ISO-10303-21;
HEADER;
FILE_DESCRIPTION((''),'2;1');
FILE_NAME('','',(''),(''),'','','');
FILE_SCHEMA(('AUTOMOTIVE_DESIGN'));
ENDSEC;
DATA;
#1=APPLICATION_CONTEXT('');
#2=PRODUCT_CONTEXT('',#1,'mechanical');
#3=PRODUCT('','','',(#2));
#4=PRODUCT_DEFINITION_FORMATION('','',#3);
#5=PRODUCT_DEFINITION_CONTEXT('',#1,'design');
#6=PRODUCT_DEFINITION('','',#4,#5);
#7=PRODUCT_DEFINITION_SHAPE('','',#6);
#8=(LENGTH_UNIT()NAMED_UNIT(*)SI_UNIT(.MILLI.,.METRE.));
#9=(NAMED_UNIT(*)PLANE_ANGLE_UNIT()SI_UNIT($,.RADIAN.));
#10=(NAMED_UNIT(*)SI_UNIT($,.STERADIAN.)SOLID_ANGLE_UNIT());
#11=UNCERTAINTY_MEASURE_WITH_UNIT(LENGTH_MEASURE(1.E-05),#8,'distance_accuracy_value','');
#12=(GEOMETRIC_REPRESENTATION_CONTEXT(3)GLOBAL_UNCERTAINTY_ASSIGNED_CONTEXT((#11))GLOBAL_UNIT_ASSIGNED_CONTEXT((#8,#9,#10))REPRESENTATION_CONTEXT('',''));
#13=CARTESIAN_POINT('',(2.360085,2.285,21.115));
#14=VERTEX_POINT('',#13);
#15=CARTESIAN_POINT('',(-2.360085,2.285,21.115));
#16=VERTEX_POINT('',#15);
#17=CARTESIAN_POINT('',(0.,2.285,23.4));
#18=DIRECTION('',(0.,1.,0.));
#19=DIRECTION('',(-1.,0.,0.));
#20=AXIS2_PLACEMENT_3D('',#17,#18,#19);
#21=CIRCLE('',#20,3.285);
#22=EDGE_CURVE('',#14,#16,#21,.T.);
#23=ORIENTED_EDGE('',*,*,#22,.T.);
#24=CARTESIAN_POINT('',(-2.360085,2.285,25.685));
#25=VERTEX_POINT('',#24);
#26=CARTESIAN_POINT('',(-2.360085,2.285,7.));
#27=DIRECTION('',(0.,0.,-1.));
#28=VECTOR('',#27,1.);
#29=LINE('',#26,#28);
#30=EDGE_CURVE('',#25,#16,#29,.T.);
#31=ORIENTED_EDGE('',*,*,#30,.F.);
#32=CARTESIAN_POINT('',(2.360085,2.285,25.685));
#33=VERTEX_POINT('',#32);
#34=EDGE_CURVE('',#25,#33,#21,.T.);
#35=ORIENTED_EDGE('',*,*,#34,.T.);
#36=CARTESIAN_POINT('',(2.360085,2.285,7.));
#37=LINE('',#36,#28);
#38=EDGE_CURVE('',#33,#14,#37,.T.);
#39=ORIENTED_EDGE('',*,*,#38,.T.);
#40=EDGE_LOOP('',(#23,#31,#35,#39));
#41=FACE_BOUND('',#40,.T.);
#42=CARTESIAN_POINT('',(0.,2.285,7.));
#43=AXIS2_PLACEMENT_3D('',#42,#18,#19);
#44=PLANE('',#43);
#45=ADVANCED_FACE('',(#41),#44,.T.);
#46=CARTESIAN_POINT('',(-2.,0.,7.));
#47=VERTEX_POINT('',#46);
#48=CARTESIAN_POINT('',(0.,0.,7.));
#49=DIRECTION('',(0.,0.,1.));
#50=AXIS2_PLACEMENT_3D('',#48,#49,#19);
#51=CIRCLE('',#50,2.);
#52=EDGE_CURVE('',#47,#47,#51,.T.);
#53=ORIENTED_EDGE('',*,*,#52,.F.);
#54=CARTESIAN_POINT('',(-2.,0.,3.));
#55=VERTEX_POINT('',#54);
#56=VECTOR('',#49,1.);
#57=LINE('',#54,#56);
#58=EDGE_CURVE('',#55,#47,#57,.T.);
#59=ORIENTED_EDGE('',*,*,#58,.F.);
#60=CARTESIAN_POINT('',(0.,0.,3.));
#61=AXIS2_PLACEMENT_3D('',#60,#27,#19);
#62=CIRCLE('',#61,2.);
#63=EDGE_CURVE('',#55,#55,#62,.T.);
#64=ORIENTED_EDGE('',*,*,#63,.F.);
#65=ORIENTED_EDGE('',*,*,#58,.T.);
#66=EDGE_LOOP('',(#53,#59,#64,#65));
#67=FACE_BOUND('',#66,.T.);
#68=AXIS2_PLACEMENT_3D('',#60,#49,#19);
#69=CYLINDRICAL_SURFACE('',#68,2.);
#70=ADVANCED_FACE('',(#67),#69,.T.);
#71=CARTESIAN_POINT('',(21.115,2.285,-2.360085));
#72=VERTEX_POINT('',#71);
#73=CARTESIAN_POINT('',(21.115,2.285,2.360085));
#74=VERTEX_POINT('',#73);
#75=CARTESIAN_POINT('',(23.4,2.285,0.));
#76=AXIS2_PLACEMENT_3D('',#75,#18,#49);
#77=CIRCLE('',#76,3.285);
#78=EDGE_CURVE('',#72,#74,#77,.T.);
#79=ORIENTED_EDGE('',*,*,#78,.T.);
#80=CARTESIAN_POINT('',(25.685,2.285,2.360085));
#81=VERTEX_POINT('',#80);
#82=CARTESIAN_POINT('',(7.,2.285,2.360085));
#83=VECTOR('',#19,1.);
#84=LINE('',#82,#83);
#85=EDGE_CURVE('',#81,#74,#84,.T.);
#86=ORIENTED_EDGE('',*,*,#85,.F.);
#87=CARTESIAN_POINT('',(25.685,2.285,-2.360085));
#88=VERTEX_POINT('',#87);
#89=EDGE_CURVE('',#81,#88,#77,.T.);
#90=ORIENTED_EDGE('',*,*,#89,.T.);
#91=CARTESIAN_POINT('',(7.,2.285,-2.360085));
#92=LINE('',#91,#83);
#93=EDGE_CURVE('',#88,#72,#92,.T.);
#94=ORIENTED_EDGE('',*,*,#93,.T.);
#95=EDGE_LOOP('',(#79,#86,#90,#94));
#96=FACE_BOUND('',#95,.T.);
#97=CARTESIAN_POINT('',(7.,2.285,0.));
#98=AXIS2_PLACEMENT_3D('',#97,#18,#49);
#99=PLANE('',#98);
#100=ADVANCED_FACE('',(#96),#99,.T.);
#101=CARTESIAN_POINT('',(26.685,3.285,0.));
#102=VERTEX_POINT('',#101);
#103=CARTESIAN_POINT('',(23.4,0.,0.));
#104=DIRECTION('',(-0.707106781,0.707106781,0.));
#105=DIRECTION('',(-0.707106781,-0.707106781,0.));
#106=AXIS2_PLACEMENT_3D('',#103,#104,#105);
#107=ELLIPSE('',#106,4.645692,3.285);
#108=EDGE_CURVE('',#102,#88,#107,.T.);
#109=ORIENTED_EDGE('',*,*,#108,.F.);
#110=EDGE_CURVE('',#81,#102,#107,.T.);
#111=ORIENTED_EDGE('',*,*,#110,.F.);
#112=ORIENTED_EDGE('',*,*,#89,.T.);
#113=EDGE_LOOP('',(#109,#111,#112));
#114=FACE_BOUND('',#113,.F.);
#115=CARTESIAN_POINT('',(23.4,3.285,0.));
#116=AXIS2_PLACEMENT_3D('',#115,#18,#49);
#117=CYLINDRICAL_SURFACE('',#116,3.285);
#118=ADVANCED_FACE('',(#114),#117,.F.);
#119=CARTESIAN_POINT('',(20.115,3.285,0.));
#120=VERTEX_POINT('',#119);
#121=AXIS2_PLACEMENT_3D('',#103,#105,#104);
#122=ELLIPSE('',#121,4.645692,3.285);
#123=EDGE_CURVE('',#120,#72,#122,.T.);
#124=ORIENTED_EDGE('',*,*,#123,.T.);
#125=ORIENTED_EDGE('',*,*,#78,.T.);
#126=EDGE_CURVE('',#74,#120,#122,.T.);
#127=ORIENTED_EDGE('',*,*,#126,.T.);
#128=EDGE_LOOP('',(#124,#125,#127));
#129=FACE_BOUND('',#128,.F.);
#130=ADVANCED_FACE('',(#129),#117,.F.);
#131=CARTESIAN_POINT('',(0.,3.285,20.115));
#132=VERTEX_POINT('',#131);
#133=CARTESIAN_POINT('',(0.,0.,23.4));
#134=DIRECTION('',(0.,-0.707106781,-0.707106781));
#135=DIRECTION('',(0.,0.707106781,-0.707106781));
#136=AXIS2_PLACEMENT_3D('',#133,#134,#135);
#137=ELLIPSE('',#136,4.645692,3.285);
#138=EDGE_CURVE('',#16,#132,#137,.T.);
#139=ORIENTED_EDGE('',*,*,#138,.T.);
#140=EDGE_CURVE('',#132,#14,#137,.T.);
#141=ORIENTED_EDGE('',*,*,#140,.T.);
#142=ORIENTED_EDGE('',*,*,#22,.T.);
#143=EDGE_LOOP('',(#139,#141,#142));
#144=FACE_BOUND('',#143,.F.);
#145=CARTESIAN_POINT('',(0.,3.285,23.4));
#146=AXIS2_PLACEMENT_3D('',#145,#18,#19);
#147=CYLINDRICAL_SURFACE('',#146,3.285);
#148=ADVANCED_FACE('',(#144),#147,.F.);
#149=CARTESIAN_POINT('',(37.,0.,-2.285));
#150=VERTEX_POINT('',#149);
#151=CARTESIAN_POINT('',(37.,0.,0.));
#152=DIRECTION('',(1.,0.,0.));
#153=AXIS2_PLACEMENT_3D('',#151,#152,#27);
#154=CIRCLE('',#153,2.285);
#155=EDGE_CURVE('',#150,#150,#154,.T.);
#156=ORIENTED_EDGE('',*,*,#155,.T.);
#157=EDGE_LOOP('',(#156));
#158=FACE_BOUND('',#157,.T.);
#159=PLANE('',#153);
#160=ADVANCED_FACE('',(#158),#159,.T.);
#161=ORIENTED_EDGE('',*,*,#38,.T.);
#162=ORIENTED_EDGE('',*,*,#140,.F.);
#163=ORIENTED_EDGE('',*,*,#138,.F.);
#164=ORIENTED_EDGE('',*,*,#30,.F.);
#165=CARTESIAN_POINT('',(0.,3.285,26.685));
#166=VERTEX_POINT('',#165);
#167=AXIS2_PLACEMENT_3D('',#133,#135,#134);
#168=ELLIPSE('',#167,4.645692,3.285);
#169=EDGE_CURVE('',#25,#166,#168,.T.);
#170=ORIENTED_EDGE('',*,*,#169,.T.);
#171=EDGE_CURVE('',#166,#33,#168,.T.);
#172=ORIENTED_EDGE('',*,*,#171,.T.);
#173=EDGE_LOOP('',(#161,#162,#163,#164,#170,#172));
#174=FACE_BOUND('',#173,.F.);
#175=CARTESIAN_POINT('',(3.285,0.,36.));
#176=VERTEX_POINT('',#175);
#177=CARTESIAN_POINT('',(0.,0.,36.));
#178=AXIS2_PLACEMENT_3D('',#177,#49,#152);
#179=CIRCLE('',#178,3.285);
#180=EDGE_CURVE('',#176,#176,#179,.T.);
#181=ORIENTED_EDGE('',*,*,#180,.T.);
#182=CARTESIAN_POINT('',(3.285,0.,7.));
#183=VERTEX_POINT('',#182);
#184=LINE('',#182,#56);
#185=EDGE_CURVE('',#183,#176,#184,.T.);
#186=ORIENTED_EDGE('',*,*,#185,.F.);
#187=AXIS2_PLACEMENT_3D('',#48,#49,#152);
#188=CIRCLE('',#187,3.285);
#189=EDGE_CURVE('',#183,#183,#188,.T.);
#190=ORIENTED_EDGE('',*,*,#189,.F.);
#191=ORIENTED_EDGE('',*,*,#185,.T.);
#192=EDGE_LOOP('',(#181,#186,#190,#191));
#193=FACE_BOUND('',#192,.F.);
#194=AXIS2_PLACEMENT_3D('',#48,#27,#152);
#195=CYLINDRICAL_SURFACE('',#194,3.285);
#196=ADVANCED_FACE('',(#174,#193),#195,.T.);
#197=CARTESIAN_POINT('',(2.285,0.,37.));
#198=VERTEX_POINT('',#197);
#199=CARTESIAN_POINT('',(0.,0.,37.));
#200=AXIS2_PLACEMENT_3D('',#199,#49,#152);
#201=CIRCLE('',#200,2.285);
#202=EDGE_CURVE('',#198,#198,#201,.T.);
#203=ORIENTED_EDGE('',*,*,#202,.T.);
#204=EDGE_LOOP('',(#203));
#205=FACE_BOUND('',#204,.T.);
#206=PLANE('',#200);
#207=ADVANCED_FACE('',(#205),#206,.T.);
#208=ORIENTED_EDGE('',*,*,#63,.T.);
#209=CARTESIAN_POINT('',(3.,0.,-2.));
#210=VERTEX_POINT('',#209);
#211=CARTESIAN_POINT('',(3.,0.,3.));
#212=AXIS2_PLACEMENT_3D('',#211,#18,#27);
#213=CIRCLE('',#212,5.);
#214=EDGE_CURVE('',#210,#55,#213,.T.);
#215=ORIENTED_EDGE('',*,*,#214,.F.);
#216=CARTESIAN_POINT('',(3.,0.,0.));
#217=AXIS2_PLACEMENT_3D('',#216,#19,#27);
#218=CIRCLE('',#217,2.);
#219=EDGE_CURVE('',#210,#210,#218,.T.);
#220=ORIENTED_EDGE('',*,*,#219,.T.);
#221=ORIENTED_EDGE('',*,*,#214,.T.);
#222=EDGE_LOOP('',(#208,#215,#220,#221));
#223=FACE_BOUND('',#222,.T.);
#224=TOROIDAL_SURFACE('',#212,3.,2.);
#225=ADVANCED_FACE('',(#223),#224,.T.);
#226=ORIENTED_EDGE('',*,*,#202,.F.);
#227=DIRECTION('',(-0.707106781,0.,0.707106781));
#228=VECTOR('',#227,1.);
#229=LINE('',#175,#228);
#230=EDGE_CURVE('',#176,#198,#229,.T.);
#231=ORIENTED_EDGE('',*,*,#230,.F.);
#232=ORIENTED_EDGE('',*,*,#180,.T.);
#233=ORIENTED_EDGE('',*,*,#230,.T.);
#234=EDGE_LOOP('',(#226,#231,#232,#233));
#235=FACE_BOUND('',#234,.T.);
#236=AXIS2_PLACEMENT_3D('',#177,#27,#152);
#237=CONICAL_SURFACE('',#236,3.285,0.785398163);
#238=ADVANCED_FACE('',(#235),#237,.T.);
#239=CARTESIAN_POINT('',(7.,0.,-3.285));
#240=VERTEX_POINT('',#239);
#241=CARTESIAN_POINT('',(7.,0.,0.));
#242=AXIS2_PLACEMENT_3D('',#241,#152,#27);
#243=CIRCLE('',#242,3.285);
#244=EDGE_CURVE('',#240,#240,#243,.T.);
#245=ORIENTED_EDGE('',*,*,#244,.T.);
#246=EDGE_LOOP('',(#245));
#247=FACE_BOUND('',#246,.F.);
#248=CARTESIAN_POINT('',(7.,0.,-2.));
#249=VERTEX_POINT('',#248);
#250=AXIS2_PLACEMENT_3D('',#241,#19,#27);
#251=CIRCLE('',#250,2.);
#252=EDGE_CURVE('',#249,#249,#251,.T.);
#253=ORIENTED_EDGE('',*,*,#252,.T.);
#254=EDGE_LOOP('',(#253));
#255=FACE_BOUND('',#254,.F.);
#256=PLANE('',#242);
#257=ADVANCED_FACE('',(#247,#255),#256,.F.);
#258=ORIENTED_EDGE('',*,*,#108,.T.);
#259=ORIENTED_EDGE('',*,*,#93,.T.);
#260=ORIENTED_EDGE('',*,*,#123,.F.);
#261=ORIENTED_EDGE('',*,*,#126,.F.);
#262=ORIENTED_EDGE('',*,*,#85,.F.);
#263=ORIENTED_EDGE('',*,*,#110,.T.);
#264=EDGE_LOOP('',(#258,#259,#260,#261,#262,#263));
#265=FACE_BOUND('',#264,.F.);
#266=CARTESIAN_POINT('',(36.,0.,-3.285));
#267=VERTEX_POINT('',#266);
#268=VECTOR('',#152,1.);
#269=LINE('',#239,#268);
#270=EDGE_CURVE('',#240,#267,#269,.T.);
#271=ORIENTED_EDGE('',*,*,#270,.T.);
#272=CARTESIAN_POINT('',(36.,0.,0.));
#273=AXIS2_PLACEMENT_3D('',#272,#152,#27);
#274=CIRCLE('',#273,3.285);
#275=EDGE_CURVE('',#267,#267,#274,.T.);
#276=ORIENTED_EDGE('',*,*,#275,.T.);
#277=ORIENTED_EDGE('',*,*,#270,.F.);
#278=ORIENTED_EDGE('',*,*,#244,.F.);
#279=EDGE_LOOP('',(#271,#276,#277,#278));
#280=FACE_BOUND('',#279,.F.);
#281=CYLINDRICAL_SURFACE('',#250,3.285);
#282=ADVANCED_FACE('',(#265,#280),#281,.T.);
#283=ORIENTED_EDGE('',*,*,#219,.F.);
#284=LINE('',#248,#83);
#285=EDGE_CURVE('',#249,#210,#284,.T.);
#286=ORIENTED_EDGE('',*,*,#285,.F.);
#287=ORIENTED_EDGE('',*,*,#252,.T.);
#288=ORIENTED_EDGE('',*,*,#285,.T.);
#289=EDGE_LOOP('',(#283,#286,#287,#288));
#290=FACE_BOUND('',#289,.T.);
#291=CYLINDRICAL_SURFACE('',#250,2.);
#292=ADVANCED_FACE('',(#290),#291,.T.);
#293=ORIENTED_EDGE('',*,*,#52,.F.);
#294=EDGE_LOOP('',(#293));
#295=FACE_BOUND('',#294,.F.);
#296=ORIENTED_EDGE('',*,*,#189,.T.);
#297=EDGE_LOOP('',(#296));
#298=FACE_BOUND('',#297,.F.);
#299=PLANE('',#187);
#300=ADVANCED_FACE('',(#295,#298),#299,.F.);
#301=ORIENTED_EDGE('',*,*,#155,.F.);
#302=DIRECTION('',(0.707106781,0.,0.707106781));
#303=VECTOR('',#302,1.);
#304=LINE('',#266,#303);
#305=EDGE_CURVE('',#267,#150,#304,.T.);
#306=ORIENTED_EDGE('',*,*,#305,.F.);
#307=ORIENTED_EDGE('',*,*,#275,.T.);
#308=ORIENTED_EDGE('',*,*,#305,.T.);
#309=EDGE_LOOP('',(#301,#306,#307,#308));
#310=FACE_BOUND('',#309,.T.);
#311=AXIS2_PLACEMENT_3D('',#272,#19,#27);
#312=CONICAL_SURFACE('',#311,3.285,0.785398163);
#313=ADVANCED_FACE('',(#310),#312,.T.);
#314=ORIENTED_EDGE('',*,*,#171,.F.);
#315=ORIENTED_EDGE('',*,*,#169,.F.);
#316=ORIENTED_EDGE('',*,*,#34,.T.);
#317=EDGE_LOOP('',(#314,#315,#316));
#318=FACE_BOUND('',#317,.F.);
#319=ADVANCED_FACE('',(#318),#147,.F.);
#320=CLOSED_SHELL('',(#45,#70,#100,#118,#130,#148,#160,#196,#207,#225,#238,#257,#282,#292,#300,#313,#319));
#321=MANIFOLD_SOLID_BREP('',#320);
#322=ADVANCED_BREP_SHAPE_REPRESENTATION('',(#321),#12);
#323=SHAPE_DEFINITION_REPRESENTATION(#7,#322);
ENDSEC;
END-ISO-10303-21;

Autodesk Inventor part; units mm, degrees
ref_plane "YZ Plane" through (0, 0, 0) normal (1, 0, 0) x (0, 1, 0)
ref_plane "Work Plane1" through (0, 0, 7) normal (0, 0, 1) x (1, 0, 0)
sketch "Sketch1" plane through (0, 0, 7) normal (0, 0, 1) x (1, 0, 0)
  circle A0 centre (0, 0) radius 3.285
  dimension "d0" = 6.57
extrude "Extrusion1" add sketch "Sketch1" along normal blind 30
chamfer "Chamfer1" distance 1 angle 45 1 edges at (-3.285, 0, 37)
ref_plane "Work Plane2" through (0, 3.285, 7) normal (0, 1, 0) x (-1, 0, 0)
sketch "Sketch2" plane through (0, 3.285, 7) normal (0, 1, 0) x (-1, 0, 0)
  line L0 (3.285, 0) -> (3.285, 29) projected
  line L1 (-3.285, 0) -> (-3.285, 29) projected
  circle A0 centre (0, 16.4) radius 3.285
  point P0 (0, -7)
  dimension "d10" = 23.4
extrude "Extrusion2" cut sketch "Sketch2" against normal blind 1
pattern_circular "Circular Pattern1" count 2 over 90 about axis through (0, -10, 0) along (0, 1, 0) of "Extrusion1", "Chamfer1", "Extrusion2"
sketch "Sketch3" plane through (0, 0, 0) normal (0, 1, 0) x (-1, 0, 0)
  line L0 (-7, -3.285) -> (-7, 3.285) projected
  line L1 (-3.285, 7) -> (3.285, 7) projected
  line L2 (-7, 0) -> (-3, 0)
  line L3 (0, 3) -> (0, 7)
  arc A0 (-3, 0) -> (0, 3) centre (-3, 3) ccw
  dimension "d13" = 3
sketch "Sketch4" plane through (0, 0, 7) normal (0, 0, -1) x (-1, 0, 0)
  circle A0 centre (0, 0) radius 3.285 construction
  circle A1 centre (0, 0) radius 2
  dimension "d14" = 4
sweep "Sweep1" add profiles "Sketch4" path "Sketch3" path curves L3 A0 L2
equation "\"BendRadius\" = Thickness"
equation "\"BendReliefWidth\" = Thickness"
equation "\"BendReliefDepth\" = 0.5 * Thickness"
equation "\"CornerReliefSize\" = 4 * Thickness"
equation "\"MinimumRemnant\" = 2 * Thickness"
equation "\"TransitionRadius\" = BendRadius"
equation "\"JacobiRadiusSize\" = Thickness"
equation "\"GapSize\" = Thickness"
equation "\"Thickness\" = 3.048"
properties part number "20-128Z1"
